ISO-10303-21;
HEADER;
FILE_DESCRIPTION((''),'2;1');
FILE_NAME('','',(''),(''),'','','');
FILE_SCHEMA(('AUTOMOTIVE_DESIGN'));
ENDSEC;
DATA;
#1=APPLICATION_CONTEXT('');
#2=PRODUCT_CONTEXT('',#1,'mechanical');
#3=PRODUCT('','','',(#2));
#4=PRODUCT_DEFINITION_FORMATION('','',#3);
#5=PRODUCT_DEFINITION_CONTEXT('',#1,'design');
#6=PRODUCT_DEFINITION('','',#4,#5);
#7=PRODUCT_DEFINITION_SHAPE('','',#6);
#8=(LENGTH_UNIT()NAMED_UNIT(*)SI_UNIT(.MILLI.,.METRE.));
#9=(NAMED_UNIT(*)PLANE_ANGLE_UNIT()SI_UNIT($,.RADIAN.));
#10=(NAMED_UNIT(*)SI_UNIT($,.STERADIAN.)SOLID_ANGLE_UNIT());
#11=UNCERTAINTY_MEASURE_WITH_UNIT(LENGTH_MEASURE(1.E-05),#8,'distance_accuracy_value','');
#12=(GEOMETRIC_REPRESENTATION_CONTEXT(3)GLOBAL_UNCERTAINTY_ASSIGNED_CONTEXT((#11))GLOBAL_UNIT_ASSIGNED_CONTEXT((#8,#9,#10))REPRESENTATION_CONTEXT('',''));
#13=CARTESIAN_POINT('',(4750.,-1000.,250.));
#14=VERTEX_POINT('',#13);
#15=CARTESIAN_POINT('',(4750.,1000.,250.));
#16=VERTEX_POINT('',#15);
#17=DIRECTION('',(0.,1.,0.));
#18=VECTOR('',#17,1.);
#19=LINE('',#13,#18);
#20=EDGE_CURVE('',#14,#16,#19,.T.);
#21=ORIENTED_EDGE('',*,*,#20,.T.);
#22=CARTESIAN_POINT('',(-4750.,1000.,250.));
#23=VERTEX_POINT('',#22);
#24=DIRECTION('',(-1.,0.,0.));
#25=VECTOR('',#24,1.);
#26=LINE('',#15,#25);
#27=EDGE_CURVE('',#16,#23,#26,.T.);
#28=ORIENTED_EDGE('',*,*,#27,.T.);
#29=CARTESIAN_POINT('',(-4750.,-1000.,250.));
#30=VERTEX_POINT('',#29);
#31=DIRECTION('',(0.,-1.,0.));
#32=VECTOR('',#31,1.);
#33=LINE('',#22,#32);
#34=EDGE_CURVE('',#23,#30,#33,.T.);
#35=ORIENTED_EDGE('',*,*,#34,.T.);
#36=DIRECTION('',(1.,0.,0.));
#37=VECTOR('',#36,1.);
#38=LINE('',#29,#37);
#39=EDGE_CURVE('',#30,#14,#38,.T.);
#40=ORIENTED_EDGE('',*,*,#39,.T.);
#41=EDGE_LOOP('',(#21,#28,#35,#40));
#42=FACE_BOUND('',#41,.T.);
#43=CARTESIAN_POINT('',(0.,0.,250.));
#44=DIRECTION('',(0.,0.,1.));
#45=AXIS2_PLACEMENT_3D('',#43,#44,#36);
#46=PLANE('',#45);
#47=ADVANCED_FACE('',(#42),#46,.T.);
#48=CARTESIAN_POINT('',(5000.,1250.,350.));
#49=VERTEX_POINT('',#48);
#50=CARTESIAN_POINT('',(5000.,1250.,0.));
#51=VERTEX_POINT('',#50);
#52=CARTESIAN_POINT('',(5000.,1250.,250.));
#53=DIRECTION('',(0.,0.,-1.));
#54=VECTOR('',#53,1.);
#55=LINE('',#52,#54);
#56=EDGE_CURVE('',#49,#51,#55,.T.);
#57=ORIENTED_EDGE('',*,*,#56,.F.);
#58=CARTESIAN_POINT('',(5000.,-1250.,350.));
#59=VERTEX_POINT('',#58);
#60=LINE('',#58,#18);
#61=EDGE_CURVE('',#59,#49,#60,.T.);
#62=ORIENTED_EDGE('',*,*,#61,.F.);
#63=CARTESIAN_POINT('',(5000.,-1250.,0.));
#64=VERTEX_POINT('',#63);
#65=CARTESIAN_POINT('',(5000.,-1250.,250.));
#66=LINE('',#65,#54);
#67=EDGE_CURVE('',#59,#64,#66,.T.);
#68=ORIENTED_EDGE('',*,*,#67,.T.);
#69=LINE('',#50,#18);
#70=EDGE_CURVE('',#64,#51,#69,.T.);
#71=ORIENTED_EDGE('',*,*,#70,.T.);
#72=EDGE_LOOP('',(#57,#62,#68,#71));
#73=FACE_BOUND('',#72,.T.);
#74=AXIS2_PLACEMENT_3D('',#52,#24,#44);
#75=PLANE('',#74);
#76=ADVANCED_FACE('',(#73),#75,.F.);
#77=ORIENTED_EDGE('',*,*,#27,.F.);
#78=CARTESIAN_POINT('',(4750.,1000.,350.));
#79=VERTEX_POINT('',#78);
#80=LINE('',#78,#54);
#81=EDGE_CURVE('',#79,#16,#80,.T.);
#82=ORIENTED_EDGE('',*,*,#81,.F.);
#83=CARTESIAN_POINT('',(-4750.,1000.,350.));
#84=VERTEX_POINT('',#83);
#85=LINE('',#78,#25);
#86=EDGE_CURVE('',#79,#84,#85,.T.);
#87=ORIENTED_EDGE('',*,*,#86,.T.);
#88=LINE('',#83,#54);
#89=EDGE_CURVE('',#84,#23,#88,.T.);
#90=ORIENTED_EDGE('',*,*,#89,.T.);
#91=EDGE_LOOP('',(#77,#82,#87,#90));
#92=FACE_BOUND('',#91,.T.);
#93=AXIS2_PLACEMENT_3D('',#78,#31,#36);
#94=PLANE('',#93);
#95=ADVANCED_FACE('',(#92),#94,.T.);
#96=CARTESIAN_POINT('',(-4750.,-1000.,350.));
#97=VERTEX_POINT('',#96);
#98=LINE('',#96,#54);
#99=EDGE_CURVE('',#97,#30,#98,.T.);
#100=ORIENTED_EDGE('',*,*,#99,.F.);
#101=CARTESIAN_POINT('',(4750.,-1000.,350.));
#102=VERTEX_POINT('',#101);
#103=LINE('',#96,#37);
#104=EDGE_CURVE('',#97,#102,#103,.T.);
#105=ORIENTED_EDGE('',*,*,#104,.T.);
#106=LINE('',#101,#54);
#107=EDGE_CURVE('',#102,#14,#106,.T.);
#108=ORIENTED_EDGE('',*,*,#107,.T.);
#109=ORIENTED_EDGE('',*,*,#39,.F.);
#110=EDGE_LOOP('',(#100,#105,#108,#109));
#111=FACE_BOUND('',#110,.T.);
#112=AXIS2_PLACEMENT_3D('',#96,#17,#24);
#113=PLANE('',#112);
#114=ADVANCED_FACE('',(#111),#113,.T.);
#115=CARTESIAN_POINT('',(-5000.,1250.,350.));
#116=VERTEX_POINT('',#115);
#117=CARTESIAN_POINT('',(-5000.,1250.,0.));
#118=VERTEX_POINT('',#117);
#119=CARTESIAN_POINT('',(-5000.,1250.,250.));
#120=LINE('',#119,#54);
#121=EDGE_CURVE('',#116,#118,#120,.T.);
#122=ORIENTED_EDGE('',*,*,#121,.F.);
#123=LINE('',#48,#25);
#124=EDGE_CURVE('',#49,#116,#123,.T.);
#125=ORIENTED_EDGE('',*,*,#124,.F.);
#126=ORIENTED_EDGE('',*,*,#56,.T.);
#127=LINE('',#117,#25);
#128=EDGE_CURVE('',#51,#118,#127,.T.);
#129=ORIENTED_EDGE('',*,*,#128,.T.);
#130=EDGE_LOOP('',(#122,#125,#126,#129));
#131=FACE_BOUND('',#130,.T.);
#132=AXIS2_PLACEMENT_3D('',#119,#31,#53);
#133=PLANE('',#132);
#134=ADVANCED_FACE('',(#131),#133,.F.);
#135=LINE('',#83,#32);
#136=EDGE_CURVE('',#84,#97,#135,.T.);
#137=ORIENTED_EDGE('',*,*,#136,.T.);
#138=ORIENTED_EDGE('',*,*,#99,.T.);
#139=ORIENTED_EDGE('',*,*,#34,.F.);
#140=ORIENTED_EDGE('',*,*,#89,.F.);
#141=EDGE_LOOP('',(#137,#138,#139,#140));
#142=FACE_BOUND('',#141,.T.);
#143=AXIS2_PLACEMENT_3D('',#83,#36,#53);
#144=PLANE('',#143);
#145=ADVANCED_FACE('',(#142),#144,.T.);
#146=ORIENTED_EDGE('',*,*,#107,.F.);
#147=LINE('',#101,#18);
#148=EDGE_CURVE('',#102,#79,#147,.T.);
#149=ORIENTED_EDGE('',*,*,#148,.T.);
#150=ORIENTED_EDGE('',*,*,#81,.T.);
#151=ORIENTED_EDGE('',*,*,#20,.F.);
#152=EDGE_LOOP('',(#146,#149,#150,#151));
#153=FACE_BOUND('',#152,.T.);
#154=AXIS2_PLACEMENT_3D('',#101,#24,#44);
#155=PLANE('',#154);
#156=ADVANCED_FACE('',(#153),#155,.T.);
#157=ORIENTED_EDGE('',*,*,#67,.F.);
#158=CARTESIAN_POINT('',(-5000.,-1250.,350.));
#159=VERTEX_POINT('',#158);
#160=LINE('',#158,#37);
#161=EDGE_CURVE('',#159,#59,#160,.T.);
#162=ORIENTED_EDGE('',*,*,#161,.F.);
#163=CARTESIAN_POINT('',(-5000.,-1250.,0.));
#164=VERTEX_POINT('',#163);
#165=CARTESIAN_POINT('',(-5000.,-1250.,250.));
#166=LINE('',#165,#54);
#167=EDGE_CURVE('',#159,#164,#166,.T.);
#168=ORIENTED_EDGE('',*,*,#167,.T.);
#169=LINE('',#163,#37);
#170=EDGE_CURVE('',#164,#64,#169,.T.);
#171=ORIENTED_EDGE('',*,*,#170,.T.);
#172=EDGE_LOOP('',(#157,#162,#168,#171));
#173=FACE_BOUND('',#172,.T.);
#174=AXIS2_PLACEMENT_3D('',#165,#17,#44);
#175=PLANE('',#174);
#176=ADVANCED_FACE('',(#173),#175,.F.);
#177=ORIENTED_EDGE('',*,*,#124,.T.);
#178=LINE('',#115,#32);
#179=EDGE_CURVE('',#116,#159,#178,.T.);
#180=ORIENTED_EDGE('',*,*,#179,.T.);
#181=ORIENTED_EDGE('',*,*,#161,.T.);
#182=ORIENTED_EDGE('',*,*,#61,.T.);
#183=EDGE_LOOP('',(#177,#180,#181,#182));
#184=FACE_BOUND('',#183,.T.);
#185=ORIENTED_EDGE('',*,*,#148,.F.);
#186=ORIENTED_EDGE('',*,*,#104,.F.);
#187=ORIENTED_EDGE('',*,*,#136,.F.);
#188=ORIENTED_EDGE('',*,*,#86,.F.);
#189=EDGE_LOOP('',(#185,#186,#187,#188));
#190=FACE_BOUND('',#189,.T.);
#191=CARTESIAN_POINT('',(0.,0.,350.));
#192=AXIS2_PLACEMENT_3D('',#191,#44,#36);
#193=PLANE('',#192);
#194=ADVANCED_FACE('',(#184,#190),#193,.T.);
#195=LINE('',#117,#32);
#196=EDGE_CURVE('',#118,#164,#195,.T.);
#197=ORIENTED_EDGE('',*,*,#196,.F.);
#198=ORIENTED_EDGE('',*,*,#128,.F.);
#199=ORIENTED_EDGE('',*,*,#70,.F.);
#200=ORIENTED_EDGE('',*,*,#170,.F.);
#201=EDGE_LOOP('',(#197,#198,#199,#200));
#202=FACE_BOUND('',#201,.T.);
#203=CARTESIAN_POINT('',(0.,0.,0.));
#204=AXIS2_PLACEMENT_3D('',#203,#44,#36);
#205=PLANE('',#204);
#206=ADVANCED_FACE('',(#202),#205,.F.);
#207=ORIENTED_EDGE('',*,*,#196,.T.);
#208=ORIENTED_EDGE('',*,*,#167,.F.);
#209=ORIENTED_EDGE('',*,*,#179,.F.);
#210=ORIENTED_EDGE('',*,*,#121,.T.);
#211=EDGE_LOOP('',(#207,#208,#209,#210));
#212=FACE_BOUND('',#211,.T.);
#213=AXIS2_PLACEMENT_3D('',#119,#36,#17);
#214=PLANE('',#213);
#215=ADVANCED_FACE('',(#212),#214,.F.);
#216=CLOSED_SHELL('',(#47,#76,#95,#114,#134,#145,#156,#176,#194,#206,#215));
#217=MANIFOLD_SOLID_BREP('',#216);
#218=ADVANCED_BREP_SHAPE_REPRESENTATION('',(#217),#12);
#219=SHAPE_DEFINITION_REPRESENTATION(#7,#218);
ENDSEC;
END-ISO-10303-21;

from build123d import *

# Parameters (mm, degrees)
ESQUISSE1_W        = 10000
ESQUISSE1_H        = 2500
BOSS_EXTRU_1_DEPTH = 250
ESQUISSE2_W        = 10000
ESQUISSE2_H        = 2500
ESQUISSE2_W_2      = 9500
ESQUISSE2_H_2      = 2000
BOSS_EXTRU_2_DEPTH = 100


with BuildPart() as part:
    # Esquisse1 → Boss.-Extru.1 (new body)
    with BuildSketch(Plane.XY):
        Rectangle(ESQUISSE1_W, ESQUISSE1_H)
    extrude(amount=BOSS_EXTRU_1_DEPTH)

    # Esquisse2 → Boss.-Extru.2 (add)
    with BuildSketch(Plane.XY.offset(250)):
        Rectangle(ESQUISSE2_W, ESQUISSE2_H)
        Rectangle(ESQUISSE2_W_2, ESQUISSE2_H_2, mode=Mode.SUBTRACT)
    extrude(amount=BOSS_EXTRU_2_DEPTH)


solid = part.part
